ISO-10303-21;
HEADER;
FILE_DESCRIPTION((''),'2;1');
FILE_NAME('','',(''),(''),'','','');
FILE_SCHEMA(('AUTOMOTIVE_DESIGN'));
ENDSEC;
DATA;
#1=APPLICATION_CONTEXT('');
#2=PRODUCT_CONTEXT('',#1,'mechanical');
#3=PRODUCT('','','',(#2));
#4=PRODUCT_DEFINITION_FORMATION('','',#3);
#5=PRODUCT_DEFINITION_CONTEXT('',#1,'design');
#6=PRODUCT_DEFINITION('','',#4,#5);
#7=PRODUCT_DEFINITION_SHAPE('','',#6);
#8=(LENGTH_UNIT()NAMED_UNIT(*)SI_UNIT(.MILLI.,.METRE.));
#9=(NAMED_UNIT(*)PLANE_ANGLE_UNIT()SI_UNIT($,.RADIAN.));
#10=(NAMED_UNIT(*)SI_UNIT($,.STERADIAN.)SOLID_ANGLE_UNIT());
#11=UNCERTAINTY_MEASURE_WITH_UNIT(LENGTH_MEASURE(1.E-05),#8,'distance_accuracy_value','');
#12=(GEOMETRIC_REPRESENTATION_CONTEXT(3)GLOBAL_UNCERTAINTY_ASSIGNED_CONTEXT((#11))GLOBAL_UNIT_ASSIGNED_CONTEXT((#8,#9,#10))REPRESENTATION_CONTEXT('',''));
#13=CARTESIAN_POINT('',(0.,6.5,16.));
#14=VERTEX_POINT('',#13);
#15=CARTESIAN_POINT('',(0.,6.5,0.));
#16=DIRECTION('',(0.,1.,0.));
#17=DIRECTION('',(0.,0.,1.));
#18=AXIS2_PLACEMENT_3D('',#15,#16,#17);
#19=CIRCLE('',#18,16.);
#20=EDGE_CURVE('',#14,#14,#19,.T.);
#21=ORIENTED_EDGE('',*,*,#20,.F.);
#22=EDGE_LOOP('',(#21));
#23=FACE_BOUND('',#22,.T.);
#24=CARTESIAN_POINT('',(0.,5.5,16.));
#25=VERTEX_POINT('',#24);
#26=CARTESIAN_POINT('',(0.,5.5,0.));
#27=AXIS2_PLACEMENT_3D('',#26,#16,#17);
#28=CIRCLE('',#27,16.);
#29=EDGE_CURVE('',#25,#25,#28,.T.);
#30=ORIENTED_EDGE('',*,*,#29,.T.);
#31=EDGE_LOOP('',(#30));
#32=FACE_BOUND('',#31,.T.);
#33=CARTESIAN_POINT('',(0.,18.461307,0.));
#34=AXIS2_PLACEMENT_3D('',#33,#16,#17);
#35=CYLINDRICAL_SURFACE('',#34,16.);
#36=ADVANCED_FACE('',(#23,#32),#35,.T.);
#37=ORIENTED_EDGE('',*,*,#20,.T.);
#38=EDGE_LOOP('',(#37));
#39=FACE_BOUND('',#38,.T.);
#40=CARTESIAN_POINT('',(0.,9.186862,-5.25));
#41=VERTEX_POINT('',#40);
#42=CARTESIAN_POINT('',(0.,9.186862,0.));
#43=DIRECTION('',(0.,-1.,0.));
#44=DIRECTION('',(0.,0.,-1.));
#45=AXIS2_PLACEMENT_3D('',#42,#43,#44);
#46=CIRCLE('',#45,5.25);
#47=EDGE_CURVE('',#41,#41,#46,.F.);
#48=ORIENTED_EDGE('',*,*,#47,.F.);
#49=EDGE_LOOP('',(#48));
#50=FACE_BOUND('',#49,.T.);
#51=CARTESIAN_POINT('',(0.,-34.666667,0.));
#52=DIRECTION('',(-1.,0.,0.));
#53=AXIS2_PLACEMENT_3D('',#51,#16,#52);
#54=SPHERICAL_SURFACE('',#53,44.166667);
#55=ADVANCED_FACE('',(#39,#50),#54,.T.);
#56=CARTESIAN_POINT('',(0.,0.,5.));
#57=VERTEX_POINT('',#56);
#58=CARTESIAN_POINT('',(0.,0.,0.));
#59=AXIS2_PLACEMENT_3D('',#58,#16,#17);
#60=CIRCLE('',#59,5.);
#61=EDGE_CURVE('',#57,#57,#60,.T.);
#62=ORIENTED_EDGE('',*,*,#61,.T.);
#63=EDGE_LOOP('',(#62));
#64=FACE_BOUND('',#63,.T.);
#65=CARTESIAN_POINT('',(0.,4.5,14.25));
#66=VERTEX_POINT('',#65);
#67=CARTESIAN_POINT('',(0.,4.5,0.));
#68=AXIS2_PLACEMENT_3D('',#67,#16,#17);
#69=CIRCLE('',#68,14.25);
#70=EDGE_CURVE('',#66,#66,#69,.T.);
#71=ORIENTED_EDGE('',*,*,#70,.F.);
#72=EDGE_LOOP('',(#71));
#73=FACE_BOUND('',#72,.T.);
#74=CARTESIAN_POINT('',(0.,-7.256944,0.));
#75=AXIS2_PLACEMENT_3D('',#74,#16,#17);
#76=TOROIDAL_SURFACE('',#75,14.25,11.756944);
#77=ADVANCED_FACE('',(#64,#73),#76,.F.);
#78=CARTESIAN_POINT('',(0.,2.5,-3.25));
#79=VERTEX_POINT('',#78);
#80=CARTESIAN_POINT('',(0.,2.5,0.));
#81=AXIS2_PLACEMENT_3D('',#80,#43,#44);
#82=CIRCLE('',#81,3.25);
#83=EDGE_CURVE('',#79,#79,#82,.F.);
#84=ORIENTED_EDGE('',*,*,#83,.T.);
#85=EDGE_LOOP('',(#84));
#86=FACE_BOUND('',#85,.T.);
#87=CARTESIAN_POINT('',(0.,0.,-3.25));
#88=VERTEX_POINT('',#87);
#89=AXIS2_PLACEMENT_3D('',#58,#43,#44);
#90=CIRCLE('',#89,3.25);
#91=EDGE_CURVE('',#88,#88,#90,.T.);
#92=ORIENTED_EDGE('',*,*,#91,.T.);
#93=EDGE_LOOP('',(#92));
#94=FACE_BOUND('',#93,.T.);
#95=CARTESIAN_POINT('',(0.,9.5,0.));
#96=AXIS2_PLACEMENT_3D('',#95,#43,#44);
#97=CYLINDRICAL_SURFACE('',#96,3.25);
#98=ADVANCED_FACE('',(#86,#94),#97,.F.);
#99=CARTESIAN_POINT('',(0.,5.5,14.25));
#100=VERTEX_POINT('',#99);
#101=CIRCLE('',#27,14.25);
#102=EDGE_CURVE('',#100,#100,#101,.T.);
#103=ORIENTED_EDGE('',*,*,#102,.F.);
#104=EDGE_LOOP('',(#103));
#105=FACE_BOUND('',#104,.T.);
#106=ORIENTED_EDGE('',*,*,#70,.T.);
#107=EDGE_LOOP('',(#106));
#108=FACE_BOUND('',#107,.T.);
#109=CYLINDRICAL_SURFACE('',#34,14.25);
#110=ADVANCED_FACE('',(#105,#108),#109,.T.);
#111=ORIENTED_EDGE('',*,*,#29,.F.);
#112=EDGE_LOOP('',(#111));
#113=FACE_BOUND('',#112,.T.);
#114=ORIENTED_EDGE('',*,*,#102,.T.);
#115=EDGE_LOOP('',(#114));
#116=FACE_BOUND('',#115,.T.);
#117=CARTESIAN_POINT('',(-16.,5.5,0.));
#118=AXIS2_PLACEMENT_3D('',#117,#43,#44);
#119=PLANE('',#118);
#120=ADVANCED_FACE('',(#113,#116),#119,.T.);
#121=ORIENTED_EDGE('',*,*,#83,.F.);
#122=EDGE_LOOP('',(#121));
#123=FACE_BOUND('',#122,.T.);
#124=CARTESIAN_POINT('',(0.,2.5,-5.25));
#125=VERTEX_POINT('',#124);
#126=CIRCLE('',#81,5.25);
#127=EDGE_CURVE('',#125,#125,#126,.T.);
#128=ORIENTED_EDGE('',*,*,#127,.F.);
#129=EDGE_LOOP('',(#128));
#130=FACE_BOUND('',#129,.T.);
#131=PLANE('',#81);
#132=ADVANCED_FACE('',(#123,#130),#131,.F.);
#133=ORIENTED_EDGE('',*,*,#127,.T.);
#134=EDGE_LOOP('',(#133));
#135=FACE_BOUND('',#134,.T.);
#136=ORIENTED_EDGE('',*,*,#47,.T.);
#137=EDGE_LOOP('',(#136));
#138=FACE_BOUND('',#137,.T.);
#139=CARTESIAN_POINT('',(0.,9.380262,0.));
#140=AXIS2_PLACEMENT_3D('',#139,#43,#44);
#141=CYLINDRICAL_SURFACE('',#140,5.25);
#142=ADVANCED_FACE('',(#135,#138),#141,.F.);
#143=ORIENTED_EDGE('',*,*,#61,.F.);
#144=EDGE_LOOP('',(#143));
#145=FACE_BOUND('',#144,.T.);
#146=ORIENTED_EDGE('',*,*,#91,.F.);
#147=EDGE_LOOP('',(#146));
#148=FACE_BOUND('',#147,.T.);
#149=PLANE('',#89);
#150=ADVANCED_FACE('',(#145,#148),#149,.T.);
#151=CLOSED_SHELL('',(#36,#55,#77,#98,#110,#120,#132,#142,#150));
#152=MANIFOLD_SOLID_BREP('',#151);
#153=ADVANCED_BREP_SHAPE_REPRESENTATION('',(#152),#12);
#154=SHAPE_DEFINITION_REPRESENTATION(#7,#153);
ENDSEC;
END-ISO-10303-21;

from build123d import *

# Parameters (mm, degrees)
ESQUISSE2_R             = 3.25
ENL_V_MAT_EXTRU_1_DEPTH = 10.5
ENL_V_START             = -2.5
ESQUISSE3_R             = 5.25
ENL_V_MAT_EXTRU_2_DEPTH = 7.880262221


with BuildPart() as part:
    # Esquisse1 → Révolution1 (revolve)
    with BuildSketch(Plane.XY, mode=Mode.PRIVATE) as r_volution1_sk:
        with BuildLine():
            Line((-16, 6.5), (-16, 5.5))
            Line((-16, 5.5), (-14.25, 5.5))
            Line((-14.25, 5.5), (-14.25, 4.5))
            ThreePointArc((-14.25, 4.5), (-9.106739847, 3.315312536), (-5, 0))
            Line((-5, 0), (0, 0))
            Line((0, 0), (0, 9.5))
            ThreePointArc((0, 9.5), (-8.139410298, 8.74352159), (-16, 6.5))
        make_face()
    revolve(r_volution1_sk.sketch.rotate(Axis((0, 18.461307074, 0), (0, -1, 0)), 270), axis=Axis((0, 18.461307074, 0), (0, -1, 0)))  # turned: the seam where the file's is

    # Esquisse2 → Enlèv. mat.-Extru.1 (cut, through all)
    with BuildSketch(Plane.XZ):
        with Locations(Location((0, 0, 0), (0, 0, 270))):  # turned: the seam where the file's is
            Circle(ESQUISSE2_R)
    extrude(amount=-ENL_V_MAT_EXTRU_1_DEPTH, mode=Mode.SUBTRACT)

    # Esquisse3 → Enlèv. mat.-Extru.2 (cut, through all)
    with BuildSketch(Plane.XZ.offset(ENL_V_START)):
        with Locations(Location((0, 0, 0), (0, 0, 270))):  # turned: the seam where the file's is
            Circle(ESQUISSE3_R)
    extrude(amount=-ENL_V_MAT_EXTRU_2_DEPTH, mode=Mode.SUBTRACT)


solid = part.part
